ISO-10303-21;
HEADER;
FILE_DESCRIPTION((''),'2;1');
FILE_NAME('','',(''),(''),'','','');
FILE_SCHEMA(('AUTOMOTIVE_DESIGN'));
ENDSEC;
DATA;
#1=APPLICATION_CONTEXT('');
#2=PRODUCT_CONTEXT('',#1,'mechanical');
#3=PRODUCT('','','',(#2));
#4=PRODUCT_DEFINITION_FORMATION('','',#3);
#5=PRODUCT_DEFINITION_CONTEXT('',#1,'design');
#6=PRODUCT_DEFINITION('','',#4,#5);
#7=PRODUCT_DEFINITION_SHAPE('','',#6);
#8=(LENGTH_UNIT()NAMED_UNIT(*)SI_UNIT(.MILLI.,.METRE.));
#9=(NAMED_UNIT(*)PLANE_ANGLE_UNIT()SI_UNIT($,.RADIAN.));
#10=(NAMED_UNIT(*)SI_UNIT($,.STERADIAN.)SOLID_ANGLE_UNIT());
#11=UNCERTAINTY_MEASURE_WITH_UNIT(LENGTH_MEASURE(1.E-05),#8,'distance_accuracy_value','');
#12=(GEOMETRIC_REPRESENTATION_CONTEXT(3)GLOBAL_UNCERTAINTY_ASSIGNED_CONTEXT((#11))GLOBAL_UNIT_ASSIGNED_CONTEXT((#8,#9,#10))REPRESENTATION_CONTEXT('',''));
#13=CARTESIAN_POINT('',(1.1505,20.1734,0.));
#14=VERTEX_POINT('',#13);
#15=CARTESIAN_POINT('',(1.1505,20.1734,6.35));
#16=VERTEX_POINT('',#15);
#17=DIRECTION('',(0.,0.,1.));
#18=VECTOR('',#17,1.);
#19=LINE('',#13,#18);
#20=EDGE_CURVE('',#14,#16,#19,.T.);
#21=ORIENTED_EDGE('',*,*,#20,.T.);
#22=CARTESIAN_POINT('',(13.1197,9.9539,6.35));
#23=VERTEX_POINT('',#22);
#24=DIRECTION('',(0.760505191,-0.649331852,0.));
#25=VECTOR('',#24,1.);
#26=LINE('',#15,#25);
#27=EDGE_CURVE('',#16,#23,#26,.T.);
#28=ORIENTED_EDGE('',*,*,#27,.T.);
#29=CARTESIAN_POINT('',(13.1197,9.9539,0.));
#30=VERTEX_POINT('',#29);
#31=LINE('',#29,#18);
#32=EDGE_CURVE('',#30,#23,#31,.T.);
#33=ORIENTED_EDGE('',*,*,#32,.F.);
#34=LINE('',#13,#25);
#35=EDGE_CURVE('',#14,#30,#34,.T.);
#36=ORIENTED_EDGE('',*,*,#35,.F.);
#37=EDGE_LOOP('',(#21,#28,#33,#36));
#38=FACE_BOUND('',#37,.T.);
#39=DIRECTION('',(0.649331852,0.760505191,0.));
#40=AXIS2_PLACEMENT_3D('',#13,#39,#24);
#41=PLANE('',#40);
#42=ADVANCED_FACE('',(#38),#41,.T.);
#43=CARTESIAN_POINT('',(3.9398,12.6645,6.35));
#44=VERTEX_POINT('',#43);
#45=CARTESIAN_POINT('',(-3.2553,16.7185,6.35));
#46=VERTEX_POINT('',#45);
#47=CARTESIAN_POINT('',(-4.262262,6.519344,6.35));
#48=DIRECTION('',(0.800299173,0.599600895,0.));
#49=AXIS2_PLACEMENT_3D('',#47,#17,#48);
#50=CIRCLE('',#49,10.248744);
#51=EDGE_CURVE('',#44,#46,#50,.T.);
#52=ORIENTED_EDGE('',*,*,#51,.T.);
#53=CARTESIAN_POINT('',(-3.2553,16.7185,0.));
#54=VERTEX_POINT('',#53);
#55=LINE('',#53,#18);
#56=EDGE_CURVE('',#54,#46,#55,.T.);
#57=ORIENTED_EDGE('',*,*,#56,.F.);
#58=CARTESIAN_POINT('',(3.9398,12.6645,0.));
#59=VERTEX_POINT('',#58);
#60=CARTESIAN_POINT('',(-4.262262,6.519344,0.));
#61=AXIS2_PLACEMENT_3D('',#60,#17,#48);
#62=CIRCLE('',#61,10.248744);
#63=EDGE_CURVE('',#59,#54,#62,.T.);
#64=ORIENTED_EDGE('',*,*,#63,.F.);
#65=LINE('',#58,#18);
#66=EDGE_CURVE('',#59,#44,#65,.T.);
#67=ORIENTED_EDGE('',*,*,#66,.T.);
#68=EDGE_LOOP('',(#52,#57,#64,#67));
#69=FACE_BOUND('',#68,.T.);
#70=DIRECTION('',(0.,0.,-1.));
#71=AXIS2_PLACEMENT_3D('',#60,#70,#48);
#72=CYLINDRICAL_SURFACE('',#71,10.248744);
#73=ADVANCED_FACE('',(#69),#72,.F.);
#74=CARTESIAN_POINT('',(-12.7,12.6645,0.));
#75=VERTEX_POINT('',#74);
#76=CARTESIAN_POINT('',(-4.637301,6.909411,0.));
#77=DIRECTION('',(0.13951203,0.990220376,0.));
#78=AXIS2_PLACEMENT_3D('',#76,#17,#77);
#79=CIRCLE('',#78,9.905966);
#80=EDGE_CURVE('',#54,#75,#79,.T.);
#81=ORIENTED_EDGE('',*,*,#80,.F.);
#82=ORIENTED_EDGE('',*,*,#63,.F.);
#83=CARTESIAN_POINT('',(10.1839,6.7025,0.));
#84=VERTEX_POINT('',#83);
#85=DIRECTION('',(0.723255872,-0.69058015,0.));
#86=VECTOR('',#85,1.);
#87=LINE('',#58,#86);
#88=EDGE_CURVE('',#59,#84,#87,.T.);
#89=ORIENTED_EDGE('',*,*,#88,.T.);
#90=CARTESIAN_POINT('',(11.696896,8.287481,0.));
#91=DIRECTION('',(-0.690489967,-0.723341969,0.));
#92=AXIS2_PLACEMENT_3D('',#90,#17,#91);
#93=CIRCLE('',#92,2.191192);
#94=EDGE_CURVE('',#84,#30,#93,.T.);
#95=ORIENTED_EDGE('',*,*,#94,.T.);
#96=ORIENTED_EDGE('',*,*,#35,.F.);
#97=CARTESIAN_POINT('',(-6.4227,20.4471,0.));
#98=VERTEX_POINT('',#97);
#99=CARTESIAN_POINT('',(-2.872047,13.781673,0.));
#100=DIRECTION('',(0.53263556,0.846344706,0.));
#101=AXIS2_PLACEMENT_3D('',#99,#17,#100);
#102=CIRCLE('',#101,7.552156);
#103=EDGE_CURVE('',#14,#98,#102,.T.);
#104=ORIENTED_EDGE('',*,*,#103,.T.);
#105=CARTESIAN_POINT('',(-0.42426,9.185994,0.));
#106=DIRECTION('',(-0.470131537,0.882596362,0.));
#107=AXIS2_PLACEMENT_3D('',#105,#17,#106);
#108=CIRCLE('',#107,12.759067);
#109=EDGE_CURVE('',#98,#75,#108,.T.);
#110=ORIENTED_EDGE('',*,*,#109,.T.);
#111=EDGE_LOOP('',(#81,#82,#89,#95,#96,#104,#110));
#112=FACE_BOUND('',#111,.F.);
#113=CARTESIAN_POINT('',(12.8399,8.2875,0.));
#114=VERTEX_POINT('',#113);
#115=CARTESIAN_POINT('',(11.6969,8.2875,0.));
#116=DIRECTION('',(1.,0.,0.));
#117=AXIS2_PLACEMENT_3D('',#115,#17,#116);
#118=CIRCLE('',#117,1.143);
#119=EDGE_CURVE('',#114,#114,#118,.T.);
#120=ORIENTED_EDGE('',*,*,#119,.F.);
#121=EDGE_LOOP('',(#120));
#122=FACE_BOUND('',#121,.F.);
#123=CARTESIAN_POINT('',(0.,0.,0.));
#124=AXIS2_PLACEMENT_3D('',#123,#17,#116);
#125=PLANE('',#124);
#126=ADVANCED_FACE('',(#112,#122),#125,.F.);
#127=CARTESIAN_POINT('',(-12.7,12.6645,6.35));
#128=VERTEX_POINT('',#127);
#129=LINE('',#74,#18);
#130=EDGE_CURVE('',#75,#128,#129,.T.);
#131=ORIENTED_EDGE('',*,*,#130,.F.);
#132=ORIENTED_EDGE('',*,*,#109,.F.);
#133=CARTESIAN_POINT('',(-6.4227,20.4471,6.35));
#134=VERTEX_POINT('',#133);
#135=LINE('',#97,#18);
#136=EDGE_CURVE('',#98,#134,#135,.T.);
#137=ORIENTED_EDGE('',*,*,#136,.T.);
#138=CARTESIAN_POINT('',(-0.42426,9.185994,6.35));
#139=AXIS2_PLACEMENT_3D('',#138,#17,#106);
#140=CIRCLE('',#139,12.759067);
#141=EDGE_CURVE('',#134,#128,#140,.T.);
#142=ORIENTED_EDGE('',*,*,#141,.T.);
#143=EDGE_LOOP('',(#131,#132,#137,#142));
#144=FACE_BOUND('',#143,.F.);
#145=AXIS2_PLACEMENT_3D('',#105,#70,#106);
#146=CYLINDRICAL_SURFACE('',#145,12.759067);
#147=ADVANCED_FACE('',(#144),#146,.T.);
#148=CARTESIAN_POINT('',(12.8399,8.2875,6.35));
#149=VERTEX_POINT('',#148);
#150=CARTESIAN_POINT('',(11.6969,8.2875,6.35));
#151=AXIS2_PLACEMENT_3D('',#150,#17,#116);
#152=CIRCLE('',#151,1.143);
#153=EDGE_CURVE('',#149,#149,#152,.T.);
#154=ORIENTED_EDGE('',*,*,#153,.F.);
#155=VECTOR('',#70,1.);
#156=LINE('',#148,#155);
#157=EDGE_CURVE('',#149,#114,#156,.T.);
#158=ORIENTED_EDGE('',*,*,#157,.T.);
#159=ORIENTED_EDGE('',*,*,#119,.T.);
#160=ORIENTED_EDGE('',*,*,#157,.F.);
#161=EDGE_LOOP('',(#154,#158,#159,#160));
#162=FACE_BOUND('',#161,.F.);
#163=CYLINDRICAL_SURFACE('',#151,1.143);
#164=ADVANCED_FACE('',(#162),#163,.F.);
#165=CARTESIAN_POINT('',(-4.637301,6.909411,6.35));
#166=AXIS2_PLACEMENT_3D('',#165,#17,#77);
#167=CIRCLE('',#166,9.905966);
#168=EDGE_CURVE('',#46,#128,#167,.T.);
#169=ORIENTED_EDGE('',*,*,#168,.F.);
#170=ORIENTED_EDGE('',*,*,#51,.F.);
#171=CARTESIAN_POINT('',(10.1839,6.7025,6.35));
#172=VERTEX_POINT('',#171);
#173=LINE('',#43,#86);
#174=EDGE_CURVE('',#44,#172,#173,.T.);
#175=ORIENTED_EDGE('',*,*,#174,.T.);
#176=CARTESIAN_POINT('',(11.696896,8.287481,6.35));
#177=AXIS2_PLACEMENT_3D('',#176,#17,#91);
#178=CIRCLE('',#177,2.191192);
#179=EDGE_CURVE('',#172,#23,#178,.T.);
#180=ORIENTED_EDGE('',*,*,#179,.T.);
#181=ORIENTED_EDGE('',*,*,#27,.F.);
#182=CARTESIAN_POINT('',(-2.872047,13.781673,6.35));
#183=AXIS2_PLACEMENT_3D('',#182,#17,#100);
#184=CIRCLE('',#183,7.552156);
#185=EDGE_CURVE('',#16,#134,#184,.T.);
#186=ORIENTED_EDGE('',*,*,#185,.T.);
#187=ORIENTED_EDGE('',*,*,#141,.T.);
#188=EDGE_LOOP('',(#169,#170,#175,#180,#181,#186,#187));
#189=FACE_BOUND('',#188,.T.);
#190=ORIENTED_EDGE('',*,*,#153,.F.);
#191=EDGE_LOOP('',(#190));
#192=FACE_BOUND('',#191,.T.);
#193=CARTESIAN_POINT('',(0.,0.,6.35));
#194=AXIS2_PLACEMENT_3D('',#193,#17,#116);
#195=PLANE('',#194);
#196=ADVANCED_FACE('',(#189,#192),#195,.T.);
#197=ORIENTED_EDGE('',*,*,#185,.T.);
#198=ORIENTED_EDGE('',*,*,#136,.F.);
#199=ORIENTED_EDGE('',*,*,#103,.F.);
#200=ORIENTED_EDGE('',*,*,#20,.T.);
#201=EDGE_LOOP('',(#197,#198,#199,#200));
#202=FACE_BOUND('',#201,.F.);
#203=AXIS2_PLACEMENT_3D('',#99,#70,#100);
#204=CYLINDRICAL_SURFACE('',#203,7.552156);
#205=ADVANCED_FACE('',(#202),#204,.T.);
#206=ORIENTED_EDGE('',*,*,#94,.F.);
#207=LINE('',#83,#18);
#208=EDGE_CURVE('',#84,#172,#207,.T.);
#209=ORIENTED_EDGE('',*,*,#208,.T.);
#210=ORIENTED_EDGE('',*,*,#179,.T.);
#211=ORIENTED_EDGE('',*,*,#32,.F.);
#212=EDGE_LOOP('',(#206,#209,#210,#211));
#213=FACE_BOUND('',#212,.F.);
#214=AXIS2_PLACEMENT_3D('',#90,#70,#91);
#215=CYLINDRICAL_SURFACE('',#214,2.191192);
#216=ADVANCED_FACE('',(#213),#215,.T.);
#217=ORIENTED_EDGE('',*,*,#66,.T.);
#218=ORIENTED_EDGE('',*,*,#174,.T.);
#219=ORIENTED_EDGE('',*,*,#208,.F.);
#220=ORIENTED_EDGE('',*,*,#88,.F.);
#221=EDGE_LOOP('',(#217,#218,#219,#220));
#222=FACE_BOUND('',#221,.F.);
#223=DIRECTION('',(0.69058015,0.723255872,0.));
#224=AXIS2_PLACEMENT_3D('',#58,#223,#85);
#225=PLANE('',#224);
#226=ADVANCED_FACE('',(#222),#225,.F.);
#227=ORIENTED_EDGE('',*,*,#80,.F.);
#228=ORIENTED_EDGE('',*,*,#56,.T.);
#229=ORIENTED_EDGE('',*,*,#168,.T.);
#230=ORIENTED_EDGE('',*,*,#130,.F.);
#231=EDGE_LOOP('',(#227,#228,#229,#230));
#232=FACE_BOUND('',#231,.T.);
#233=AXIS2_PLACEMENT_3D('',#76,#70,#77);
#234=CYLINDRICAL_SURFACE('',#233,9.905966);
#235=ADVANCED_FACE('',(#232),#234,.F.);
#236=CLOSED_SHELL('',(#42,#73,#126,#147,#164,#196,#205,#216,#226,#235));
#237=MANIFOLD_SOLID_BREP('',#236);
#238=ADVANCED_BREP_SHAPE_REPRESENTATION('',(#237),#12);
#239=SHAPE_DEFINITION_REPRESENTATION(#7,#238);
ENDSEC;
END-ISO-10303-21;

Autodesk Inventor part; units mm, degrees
ref_plane "YZ Plane" through (0, 0, 0) normal (1, 0, 0) x (0, 1, 0)
ref_plane "XZ Plane" through (0, 0, 0) normal (0, 1, 0) x (-1, 0, 0)
ref_plane "XY Plane" through (0, 0, 0) normal (0, 0, 1) x (1, 0, 0)
sketch "Sketch1" plane through (0, 0, 0) normal (0, 0, 1) x (1, 0, 0)
  arc A0 (-3.2553, 16.7185) -> (-12.7, 12.6645) centre (-4.6373, 6.9094) ccw
  arc A1 (-6.4227, 20.4471) -> (-12.7, 12.6645) centre (-0.4241, 9.1858) ccw
  arc A2 (1.1505, 20.1734) -> (-6.4227, 20.4471) centre (-2.8721, 13.7815) ccw
  arc A3 (3.9398, 12.6645) -> (-3.2553, 16.7185) centre (-4.2623, 6.5193) ccw
  line L0 (1.1505, 20.1734) -> (13.1197, 9.9539)
  line L1 (3.9398, 12.6645) -> (10.1839, 6.7025)
  arc A4 (10.1837, 6.7027) -> (13.1197, 9.9539) centre (11.6969, 8.2875) ccw
  point P0 (0, 0)
  point P1 (-12.7, 0)
  dimension "d0" = 9.906
extrude "Extrusion1" add sketch "Sketch1" along normal blind 6.35
sketch "Sketch2" plane through (0, 0, 6.35) normal (0, 0, 1) x (1, 0, 0)
  arc A0 (10.1837, 6.7027) -> (13.1197, 9.9539) centre (11.6969, 8.2875) ccw projected
  circle A1 centre (11.6969, 8.2875) radius 1.143
  point P0 (0, 0)
  dimension "d3" = 2.286
extrude "Extrusion2" cut sketch "Sketch2" against normal blind 25.4
sketch "Sketch3" plane through (0, 0, 6.35) normal (0, 0, 1) x (1, 0, 0)
  arc A0 (16.5583, -0.6886) -> (21.2023, 4.6943) centre (18.8803, 2.0028) ccw
  line L0 (21.2023, 4.6943) -> (1.9212, 21.3289)
  line L1 (16.5583, -0.6886) -> (1.9487, 11.9157)
  arc A1 (1.9487, 11.9157) -> (-13.3635, 11.0028) centre (-5.238, 3.5857) ccw
  arc A2 (1.9212, 21.3289) -> (-13.3635, 11.0028) centre (-3.1996, 12.4333) ccw
  point P0 (0, 0)
properties part number "other ratchet piece"
